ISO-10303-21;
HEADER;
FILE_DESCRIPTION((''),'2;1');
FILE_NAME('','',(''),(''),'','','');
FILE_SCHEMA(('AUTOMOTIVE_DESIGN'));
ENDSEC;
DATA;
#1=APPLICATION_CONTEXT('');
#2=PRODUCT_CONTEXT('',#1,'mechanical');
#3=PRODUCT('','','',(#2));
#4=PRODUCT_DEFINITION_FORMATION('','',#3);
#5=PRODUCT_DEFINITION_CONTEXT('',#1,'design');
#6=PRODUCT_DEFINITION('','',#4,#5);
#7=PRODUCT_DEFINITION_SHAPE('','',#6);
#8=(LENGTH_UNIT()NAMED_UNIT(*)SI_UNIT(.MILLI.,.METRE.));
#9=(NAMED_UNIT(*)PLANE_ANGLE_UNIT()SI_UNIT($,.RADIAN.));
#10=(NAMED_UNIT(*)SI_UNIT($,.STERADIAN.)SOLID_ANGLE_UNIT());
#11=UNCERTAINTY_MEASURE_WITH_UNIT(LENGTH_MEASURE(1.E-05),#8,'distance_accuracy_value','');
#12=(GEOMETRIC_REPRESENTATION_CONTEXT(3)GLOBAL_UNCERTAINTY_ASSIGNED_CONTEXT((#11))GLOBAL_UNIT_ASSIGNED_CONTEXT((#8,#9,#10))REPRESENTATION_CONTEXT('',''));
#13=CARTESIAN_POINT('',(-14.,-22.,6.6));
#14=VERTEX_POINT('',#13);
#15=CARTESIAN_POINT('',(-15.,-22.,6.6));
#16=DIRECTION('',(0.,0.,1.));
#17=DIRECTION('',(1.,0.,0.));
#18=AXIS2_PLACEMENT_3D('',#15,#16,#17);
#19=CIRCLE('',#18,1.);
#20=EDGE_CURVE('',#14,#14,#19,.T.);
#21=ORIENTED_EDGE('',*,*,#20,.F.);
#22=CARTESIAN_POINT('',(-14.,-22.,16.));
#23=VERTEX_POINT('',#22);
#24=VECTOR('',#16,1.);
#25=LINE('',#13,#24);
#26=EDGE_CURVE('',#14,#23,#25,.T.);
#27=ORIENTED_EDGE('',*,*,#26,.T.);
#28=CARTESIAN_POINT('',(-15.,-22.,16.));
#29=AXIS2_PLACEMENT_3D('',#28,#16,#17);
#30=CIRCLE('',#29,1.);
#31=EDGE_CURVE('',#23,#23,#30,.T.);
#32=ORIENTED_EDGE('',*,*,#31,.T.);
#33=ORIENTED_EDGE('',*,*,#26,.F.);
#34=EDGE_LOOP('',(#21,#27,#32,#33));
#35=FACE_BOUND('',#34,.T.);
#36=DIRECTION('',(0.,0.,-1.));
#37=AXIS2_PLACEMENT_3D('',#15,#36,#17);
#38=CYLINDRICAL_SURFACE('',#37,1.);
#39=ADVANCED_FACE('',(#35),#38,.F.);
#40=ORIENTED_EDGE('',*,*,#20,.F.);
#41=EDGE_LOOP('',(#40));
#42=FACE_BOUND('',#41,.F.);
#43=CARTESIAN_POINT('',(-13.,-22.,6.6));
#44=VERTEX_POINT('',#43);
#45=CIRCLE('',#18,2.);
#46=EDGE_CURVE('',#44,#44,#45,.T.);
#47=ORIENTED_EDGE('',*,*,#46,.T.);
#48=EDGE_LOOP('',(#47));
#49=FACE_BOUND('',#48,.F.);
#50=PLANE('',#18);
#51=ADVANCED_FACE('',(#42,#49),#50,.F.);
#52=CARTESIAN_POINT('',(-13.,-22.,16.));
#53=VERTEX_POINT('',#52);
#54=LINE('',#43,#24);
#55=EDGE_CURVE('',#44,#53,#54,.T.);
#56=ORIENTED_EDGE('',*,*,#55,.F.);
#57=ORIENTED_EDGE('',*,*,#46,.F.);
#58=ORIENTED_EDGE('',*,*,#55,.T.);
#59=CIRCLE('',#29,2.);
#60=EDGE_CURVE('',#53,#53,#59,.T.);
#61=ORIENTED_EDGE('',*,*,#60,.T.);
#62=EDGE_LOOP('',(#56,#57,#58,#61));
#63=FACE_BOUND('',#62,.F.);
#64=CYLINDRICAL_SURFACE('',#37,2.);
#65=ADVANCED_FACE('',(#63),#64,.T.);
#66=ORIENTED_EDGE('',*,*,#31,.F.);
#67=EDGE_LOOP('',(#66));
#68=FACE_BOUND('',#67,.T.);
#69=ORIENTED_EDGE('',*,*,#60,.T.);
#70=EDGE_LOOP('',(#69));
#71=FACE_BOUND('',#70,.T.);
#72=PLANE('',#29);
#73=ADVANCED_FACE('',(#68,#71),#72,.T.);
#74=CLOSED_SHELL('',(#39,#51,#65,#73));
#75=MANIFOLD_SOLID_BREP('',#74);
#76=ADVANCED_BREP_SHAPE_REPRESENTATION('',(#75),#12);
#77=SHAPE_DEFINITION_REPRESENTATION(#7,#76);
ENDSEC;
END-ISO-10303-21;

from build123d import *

# Parameters (mm, degrees)
SKETCH316_R      = 1
EXTRUDE181_DEPTH = 9.4
SKETCH317_R      = 2
EXTRUDE182_DEPTH = 9.4


with BuildPart() as extrude181:
    # Sketch316 → Extrude181 (new body)
    with BuildSketch(Plane.XY.offset(6.6)):
        with Locations((36, -22)):
            Circle(SKETCH316_R)
    extrude(amount=EXTRUDE181_DEPTH)


with BuildPart() as cut081:
    # Sketch317 → Extrude182 (new body)
    with BuildSketch(Plane.XY.offset(6.6)):
        with Locations((36, -22)):
            Circle(SKETCH317_R)
    extrude(amount=EXTRUDE182_DEPTH)

    # Cut081: cut Extrude181
    add(extrude181.part, mode=Mode.SUBTRACT)


with BuildPart() as cut081_1:
    # Cut081 placement: moved
    add(cut081.part.moved(Location((-51, 0, 0))))


solid = cut081_1.part
